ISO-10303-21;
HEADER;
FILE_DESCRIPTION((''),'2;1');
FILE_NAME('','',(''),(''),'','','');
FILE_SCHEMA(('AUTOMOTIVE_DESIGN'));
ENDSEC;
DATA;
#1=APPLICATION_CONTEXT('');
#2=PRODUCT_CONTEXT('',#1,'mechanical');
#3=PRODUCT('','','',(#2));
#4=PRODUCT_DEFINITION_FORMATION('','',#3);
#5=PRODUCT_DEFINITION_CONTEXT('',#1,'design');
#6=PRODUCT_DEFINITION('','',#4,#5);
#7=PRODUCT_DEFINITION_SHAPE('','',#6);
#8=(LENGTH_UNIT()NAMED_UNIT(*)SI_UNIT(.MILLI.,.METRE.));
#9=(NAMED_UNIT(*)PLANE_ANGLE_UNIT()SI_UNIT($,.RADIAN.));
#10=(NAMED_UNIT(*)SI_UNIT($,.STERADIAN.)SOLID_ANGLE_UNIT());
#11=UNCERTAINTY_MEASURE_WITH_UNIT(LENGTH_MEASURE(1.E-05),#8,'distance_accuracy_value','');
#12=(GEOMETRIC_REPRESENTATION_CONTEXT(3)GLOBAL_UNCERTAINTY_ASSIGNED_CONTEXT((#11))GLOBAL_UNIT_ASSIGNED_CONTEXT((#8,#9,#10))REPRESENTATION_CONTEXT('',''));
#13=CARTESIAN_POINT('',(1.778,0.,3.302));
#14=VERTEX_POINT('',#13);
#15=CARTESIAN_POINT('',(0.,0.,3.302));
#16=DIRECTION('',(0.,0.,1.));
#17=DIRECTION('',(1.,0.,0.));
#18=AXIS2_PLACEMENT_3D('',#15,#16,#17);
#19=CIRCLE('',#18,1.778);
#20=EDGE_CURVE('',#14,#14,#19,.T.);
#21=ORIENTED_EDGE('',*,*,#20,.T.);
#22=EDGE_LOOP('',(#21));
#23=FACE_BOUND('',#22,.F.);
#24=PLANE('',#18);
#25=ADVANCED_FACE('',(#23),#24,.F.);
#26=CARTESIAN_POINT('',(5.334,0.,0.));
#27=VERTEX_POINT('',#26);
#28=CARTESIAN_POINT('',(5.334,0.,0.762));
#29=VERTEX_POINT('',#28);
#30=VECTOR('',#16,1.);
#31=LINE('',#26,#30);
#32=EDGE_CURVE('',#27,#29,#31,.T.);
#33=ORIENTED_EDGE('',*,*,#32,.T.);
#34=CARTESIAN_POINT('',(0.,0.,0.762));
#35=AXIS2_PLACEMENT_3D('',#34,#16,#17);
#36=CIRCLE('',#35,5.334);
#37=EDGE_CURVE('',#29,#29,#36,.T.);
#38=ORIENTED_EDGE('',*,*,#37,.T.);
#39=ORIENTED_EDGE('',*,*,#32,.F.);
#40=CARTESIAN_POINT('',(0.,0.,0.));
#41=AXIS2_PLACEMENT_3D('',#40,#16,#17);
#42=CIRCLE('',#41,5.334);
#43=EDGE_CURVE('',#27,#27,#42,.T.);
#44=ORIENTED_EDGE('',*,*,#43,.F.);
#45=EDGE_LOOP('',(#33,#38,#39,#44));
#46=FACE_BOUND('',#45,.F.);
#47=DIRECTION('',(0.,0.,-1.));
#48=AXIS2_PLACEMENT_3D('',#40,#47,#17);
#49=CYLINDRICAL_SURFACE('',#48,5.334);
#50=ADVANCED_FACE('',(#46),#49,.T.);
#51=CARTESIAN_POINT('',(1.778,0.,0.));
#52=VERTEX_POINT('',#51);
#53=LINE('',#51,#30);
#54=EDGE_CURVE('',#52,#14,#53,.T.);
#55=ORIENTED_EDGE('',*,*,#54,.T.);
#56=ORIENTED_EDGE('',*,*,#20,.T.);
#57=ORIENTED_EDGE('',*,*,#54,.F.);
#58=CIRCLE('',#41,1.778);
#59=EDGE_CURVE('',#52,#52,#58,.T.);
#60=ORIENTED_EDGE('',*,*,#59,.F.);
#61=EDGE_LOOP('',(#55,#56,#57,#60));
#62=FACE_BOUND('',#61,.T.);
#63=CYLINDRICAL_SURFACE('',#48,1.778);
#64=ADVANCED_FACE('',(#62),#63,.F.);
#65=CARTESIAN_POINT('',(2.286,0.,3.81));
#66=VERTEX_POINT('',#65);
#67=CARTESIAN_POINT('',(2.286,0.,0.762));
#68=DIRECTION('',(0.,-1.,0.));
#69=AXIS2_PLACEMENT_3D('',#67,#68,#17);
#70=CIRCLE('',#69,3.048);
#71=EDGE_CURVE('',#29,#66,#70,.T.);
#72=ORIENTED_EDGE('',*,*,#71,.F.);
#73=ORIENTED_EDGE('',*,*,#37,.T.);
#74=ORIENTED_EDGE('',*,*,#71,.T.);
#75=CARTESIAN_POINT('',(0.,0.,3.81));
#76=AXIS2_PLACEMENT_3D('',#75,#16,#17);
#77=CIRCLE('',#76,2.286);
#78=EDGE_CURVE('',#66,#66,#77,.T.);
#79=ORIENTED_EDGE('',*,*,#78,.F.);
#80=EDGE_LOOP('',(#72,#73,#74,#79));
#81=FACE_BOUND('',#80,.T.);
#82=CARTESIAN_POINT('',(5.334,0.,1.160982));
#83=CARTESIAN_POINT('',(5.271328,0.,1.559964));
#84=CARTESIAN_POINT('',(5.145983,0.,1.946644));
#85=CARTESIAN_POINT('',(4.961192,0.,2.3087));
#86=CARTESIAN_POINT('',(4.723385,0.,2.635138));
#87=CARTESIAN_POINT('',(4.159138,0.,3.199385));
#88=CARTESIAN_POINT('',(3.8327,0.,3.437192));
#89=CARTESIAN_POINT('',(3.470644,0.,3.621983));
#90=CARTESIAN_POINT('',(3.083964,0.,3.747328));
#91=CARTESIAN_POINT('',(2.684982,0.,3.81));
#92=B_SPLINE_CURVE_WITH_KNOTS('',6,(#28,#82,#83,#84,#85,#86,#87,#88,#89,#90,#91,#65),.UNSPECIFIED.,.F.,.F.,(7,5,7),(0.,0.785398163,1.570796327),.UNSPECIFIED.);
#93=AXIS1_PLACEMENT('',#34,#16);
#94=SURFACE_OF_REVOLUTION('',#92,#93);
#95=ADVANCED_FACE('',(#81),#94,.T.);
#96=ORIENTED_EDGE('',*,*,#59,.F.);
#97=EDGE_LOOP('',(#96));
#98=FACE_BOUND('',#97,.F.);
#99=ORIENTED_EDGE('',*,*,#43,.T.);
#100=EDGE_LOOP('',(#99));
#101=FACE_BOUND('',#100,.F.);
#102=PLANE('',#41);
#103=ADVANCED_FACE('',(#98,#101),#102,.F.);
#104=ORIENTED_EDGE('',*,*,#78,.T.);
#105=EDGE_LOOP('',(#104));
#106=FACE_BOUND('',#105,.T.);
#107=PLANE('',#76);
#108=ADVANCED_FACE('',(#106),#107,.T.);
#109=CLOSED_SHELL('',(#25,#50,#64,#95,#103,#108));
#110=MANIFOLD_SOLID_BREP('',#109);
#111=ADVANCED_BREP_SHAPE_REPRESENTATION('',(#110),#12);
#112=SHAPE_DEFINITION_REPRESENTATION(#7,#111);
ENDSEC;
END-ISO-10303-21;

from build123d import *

# Parameters (mm, degrees)
F0_R     = 5.334
F0_R_2   = 1.778
F1_DEPTH = 3.81
F2_R     = 3.048
F3_DEPTH = 3.302


with BuildPart() as f1:
    # F0 (on Top) → F1 (new body)
    with BuildSketch(Plane.XY):
        Circle(F0_R)
        Circle(F0_R_2, mode=Mode.SUBTRACT)
        Circle(F0_R_2)
    extrude(amount=F1_DEPTH)

    # F2
    f2_edges = [f1.edges().sort_by_distance(p)[0] for p in [
        (-5.334, 0, 3.81),
    ]]
    fillet(f2_edges, radius=F2_R)

    # F0 (on Top) → F3 (cut)
    with BuildSketch(Plane.XY):
        Circle(F0_R_2)
    extrude(amount=F3_DEPTH, mode=Mode.SUBTRACT)


solid = f1.part
